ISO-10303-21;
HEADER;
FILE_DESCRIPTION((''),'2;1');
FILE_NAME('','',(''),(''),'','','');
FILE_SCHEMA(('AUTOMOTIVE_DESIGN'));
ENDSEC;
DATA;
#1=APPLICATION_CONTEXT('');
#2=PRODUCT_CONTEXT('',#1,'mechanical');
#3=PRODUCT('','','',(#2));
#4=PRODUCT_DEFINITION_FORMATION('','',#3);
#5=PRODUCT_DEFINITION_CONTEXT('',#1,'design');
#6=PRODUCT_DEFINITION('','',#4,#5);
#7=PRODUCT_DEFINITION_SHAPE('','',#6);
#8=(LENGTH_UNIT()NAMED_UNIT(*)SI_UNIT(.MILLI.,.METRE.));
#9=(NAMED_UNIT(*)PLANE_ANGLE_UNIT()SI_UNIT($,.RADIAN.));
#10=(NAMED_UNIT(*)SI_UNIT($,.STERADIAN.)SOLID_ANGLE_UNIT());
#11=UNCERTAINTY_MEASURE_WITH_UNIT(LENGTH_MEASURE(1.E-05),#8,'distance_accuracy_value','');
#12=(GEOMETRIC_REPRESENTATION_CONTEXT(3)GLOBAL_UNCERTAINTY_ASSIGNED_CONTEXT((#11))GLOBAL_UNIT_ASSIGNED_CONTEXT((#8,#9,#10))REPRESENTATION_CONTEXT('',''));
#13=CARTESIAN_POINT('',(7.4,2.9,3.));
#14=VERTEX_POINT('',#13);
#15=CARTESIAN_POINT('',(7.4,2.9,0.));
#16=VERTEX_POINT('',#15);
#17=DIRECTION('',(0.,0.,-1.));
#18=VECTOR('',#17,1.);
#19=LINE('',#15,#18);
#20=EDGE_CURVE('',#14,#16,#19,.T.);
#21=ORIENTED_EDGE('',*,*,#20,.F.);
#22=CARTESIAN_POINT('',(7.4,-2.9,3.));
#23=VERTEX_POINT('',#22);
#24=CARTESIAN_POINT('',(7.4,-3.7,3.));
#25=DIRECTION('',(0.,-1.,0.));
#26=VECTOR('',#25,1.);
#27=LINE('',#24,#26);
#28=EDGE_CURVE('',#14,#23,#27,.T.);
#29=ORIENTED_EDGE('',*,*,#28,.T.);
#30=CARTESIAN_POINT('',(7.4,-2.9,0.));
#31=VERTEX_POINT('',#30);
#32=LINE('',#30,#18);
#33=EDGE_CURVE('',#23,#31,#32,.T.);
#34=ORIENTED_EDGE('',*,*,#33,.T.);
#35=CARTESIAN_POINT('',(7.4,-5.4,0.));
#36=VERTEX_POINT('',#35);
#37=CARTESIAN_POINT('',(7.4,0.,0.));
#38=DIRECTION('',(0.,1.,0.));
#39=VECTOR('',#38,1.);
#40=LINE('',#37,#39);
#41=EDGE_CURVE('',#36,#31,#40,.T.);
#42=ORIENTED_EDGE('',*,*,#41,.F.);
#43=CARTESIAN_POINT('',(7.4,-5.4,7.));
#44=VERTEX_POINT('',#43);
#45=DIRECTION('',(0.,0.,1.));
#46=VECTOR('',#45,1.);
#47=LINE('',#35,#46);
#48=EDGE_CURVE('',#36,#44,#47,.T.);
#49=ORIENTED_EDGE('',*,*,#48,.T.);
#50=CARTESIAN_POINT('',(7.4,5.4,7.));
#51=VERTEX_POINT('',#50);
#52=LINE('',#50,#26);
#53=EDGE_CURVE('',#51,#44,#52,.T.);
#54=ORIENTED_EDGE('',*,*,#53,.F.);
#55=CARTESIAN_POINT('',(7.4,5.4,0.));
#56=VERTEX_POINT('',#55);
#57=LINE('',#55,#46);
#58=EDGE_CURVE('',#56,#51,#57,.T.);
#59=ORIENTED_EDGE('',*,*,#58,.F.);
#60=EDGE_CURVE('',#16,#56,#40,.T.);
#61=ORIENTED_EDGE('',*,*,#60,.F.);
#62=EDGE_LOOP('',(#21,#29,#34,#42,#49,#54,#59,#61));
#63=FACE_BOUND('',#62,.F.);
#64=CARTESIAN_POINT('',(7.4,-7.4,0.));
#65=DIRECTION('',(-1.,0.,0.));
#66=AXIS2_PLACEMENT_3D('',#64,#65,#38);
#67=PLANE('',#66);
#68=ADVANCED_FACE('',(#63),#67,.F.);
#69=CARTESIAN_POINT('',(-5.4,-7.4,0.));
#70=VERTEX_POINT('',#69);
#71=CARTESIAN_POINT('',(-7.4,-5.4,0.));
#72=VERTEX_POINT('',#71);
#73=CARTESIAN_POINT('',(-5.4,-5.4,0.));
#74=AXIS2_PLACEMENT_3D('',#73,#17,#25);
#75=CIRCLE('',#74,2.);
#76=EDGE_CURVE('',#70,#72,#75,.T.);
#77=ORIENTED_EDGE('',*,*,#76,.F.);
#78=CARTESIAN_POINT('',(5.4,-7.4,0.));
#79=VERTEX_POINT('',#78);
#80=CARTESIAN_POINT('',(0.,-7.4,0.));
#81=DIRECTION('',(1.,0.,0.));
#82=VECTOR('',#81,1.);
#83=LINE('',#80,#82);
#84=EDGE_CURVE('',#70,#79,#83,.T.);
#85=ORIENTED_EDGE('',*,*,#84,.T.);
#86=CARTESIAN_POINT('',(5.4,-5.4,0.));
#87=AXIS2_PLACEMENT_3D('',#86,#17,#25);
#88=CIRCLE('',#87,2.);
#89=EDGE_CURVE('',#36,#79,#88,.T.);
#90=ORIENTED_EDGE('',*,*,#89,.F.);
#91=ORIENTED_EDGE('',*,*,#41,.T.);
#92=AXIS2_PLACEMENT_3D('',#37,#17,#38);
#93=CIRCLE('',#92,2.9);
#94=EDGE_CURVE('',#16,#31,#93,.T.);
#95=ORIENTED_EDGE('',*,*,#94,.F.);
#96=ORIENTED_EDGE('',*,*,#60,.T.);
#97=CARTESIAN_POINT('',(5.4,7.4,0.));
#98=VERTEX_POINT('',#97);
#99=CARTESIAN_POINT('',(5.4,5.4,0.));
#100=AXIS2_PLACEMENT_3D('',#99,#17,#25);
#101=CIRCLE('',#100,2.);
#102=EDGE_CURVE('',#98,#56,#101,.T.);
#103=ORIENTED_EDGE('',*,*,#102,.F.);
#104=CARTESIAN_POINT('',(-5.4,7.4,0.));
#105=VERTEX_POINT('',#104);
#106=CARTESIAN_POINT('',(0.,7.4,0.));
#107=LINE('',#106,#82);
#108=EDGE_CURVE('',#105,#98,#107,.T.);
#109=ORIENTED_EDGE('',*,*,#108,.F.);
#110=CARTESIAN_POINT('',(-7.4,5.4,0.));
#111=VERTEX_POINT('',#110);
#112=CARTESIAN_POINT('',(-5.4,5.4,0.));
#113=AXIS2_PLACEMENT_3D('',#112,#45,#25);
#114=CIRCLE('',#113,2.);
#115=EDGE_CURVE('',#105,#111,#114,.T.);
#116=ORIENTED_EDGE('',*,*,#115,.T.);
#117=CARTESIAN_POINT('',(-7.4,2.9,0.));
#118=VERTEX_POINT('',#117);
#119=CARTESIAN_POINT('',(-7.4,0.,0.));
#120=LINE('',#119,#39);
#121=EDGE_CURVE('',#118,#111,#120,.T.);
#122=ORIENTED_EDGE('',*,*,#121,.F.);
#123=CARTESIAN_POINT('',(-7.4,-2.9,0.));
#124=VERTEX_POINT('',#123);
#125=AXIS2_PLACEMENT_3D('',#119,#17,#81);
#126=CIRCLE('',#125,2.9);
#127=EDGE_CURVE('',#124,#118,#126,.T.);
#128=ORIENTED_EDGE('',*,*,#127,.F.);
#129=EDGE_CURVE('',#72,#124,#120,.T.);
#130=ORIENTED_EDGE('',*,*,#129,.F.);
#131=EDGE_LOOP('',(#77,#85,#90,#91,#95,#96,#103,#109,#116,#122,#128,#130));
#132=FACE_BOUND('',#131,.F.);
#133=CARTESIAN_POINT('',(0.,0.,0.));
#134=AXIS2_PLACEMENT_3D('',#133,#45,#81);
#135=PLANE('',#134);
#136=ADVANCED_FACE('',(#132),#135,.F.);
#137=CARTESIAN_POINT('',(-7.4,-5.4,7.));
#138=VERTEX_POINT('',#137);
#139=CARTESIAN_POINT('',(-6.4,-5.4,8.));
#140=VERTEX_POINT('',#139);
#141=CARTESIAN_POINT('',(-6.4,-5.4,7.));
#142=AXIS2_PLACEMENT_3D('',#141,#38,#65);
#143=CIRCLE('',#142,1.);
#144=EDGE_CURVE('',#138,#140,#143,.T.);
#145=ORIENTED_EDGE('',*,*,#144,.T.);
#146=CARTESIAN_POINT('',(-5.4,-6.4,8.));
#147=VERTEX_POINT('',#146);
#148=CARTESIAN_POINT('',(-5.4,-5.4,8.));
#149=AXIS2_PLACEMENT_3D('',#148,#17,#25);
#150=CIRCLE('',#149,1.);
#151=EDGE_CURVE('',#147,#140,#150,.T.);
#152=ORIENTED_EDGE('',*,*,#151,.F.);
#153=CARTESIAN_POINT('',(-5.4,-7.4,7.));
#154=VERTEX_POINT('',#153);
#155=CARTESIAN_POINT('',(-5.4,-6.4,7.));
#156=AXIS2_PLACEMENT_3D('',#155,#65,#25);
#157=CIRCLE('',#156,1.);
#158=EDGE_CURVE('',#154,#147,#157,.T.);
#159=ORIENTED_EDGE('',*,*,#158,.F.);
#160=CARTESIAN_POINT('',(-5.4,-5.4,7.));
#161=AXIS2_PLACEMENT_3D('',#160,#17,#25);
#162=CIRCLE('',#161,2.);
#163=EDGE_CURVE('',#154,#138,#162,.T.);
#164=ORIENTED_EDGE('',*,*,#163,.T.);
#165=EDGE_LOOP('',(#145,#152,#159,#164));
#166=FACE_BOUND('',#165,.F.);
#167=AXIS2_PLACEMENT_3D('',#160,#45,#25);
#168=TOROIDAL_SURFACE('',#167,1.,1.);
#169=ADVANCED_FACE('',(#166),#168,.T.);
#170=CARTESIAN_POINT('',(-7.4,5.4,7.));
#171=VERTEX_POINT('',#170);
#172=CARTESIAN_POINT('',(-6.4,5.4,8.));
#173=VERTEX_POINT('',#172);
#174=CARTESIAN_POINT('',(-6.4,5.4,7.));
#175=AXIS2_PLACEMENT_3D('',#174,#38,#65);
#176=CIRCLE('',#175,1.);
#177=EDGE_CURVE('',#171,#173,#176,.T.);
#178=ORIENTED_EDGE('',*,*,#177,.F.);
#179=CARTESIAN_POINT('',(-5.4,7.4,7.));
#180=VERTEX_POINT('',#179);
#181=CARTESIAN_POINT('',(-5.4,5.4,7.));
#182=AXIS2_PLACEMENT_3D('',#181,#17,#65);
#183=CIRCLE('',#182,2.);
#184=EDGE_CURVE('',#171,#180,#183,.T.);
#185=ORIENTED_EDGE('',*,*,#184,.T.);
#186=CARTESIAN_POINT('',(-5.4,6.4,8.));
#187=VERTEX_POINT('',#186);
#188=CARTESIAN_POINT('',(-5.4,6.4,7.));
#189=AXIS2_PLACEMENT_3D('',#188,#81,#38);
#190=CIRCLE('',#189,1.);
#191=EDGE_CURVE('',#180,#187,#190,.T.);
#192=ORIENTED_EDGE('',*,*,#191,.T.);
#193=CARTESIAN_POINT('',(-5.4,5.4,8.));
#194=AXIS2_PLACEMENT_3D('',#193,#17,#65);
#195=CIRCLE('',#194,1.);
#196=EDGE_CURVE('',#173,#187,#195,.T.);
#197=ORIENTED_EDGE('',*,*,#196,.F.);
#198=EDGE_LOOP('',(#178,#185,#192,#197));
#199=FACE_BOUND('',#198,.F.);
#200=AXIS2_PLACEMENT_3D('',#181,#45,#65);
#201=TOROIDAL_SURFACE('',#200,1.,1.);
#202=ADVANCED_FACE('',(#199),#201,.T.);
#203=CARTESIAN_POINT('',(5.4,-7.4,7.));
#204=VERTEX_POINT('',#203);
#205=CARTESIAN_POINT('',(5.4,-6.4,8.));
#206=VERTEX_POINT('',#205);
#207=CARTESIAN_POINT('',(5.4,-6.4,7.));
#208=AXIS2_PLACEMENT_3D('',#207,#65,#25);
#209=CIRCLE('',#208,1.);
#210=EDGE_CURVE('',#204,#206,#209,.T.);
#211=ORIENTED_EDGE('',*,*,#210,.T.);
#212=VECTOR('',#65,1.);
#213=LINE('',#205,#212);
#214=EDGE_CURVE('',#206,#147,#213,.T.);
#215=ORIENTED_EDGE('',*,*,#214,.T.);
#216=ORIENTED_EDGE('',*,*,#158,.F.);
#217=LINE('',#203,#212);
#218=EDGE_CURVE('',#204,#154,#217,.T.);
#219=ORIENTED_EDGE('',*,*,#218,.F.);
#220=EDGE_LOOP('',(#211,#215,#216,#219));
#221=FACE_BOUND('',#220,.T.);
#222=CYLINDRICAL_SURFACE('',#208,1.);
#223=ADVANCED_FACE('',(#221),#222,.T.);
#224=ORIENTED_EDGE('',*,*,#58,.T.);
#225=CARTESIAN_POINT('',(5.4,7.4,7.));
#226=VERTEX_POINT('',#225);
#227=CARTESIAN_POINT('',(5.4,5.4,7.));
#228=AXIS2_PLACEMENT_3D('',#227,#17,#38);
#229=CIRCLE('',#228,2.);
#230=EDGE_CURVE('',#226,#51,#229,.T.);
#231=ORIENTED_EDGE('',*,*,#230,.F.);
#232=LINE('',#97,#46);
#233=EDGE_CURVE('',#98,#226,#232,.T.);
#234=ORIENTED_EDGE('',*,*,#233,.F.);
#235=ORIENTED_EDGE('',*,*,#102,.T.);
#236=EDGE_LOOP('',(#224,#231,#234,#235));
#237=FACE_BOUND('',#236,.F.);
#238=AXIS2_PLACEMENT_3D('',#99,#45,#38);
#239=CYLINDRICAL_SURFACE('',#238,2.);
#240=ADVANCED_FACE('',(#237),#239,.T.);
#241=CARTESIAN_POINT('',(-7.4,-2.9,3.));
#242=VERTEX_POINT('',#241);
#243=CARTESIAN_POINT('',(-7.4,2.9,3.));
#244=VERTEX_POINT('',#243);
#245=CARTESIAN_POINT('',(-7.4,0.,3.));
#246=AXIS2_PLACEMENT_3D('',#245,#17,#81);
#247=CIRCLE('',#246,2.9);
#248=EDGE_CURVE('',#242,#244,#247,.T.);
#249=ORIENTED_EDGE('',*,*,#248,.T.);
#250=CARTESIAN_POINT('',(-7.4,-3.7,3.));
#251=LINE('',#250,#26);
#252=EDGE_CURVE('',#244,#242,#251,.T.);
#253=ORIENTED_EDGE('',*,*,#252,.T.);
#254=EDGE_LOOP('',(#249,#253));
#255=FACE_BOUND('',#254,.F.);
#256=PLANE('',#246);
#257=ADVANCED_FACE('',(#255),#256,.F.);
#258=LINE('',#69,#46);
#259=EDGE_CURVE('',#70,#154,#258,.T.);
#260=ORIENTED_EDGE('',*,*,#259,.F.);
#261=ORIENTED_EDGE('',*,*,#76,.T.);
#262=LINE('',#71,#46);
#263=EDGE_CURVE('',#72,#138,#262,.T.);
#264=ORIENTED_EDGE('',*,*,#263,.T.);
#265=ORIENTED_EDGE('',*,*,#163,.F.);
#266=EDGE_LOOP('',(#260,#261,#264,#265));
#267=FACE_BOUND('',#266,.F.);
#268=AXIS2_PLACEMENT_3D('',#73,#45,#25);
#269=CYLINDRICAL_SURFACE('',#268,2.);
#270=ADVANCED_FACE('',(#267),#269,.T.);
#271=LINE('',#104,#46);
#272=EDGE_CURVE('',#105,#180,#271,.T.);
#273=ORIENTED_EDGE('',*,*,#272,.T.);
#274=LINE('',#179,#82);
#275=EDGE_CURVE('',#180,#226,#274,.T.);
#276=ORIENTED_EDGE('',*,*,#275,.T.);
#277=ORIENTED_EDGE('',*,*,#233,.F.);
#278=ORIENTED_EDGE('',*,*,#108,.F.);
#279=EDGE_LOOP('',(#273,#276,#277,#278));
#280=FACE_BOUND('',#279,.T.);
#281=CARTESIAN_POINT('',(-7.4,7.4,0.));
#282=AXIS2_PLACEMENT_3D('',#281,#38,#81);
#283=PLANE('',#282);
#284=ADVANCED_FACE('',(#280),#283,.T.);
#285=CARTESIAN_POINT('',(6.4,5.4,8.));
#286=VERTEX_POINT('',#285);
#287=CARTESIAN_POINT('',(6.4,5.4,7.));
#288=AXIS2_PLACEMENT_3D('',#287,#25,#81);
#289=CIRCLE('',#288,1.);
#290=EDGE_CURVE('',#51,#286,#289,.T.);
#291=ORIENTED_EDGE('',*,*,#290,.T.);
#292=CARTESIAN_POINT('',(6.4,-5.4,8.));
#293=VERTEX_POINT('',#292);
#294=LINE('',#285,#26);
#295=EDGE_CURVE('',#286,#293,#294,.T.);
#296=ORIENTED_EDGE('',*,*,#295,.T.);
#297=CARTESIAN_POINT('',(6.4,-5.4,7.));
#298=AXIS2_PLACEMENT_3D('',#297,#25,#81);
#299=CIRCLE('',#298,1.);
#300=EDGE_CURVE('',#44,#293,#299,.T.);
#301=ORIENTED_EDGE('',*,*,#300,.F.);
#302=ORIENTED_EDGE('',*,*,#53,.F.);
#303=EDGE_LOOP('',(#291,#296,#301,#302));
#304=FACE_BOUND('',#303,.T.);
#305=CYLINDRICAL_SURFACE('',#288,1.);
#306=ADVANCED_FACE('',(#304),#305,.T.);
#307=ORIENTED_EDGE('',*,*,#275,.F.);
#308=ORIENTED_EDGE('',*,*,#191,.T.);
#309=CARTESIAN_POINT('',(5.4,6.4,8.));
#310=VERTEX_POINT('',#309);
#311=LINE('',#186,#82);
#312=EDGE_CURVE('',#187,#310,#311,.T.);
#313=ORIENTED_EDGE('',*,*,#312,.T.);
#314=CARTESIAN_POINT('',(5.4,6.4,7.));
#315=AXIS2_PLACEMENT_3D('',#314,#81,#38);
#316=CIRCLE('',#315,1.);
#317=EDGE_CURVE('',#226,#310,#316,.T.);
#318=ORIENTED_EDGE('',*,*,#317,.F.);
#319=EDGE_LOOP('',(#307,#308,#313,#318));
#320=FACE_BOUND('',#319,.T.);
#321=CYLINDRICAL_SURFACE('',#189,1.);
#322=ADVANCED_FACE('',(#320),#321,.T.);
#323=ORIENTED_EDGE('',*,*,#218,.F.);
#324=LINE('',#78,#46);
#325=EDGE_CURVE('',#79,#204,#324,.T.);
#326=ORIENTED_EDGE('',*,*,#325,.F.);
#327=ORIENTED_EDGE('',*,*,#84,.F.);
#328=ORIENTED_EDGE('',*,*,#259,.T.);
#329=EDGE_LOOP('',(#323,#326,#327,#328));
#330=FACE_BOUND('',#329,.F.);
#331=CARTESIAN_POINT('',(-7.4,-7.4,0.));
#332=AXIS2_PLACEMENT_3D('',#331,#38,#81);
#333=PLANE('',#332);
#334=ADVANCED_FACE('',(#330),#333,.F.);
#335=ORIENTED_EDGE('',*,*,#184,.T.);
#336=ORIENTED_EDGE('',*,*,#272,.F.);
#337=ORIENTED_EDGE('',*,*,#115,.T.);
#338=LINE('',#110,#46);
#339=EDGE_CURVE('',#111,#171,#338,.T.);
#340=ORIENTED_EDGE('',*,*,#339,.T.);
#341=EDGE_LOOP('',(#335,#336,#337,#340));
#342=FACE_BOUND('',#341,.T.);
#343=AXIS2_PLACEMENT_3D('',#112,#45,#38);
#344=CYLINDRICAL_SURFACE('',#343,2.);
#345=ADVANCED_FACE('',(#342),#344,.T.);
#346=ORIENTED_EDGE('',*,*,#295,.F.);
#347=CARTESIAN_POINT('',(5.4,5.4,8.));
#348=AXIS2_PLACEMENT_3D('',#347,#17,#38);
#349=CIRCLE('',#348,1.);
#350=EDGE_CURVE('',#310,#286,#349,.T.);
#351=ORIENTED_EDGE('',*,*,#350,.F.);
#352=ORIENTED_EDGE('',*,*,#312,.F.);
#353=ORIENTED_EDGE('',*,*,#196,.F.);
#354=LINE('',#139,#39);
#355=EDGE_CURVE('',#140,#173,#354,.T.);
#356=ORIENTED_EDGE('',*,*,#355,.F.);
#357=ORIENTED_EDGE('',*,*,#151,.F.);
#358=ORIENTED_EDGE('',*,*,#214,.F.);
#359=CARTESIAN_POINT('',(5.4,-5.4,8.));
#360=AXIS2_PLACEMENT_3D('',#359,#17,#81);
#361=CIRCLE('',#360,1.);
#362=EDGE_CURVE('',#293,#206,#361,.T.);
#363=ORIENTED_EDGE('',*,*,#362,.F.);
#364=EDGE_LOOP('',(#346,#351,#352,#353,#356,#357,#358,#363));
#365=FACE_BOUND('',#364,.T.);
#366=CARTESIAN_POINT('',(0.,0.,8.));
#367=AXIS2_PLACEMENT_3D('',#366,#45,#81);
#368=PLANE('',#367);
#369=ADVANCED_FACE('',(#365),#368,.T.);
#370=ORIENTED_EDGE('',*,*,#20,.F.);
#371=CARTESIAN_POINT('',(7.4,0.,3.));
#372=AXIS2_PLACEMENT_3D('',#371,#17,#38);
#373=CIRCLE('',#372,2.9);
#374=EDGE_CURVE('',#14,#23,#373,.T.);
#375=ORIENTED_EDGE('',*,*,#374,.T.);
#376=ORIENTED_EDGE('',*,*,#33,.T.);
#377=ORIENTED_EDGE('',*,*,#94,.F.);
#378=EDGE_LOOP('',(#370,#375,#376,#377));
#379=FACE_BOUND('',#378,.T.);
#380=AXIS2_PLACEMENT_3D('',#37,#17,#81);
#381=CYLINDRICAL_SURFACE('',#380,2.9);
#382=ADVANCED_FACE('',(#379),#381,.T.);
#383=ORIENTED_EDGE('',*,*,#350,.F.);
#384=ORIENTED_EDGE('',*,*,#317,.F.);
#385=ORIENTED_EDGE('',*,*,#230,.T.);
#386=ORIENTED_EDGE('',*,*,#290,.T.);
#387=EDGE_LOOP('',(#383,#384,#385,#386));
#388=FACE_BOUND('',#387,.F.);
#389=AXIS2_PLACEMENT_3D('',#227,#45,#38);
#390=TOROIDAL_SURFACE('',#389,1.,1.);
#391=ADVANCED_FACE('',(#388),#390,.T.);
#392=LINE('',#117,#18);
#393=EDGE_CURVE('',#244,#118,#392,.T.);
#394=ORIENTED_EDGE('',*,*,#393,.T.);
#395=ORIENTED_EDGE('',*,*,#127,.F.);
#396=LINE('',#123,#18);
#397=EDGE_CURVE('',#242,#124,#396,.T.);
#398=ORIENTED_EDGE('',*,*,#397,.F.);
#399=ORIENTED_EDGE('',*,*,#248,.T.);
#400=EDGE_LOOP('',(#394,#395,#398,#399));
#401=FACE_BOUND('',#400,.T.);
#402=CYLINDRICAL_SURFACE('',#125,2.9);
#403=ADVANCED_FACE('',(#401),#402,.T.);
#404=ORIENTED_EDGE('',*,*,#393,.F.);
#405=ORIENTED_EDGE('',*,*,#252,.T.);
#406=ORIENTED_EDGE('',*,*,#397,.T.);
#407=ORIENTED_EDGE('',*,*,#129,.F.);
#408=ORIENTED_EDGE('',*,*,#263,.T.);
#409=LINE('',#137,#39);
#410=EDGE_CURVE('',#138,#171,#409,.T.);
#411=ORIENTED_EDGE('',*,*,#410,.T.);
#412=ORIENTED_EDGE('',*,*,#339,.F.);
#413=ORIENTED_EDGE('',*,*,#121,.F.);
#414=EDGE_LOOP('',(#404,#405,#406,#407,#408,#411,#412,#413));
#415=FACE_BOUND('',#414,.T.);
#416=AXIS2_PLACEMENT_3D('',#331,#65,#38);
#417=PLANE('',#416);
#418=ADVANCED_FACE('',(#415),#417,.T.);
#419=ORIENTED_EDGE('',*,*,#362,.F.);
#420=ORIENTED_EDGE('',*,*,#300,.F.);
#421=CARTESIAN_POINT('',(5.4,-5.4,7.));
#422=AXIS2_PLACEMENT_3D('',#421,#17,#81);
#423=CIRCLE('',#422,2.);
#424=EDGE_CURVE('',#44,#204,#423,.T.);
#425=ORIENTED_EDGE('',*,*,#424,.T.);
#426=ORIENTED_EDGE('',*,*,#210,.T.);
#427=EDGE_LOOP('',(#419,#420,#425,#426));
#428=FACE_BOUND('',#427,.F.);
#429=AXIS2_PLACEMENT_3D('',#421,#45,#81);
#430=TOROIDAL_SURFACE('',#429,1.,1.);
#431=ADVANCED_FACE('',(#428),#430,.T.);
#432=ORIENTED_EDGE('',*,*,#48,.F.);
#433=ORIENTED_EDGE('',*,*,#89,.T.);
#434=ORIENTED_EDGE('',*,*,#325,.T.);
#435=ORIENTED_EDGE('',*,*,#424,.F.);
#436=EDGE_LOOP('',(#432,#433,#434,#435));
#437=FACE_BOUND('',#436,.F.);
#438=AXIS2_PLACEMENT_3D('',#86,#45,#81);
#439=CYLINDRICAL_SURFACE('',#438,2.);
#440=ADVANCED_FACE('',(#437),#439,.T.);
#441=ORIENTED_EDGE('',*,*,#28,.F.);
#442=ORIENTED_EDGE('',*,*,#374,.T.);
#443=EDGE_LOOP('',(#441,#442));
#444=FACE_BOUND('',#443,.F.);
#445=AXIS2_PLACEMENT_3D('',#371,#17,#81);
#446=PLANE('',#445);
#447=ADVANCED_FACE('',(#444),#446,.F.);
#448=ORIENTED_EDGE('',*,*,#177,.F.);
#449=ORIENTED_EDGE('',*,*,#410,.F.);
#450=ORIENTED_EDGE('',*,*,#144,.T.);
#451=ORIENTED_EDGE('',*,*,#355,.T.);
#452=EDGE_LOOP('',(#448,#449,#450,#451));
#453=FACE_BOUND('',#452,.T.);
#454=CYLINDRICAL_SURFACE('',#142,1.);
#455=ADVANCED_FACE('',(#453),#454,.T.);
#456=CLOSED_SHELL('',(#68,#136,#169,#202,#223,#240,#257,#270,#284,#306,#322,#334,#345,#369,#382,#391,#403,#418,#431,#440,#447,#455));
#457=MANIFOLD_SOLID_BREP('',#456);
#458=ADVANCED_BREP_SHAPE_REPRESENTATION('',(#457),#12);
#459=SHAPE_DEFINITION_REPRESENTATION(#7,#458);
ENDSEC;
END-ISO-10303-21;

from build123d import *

# Parameters (mm, degrees)
SKETCH_W     = 14.8
SKETCH_H     = 14.8
PAD_DEPTH    = 8
SKETCH001_R  = 2.9
PAD001_DEPTH = 3
FILLET_R     = 2
FILLET001_R  = 1


with BuildPart() as part:
    # Sketch → Pad (new body)
    with BuildSketch(Plane.XY):
        Rectangle(SKETCH_W, SKETCH_H)
    extrude(amount=PAD_DEPTH)

    # Sketch001 → Pad001 (new body)
    with BuildSketch(Plane(origin=(0, 0, 0), x_dir=(1, 0, 0), z_dir=(0, 0, -1))):
        with Locations((-7.4, 0)):
            Circle(SKETCH001_R)
        with Locations((7.4, 0)):
            Circle(SKETCH001_R)
    extrude(amount=-PAD001_DEPTH)

    # Fillet
    fillet_edges = [part.edges().sort_by_distance(p)[0] for p in [
        (7.4, 7.4, 4),
        (7.4, -7.4, 4),
        (-7.4, 7.4, 4),
        (-7.4, -7.4, 4),
    ]]
    fillet(fillet_edges, radius=FILLET_R)

    # Fillet001
    fillet001_edges = [part.edges().sort_by_distance(p)[0] for p in [
        (0, 7.4, 8),
        (6.814214, 6.814214, 8),
        (7.4, 0, 8),
        (6.814214, -6.814214, 8),
        (0, -7.4, 8),
        (-6.814214, -6.814214, 8),
        (-7.4, 0, 8),
        (-6.814214, 6.814214, 8),
    ]]
    fillet(fillet001_edges, radius=FILLET001_R)


solid = part.part
